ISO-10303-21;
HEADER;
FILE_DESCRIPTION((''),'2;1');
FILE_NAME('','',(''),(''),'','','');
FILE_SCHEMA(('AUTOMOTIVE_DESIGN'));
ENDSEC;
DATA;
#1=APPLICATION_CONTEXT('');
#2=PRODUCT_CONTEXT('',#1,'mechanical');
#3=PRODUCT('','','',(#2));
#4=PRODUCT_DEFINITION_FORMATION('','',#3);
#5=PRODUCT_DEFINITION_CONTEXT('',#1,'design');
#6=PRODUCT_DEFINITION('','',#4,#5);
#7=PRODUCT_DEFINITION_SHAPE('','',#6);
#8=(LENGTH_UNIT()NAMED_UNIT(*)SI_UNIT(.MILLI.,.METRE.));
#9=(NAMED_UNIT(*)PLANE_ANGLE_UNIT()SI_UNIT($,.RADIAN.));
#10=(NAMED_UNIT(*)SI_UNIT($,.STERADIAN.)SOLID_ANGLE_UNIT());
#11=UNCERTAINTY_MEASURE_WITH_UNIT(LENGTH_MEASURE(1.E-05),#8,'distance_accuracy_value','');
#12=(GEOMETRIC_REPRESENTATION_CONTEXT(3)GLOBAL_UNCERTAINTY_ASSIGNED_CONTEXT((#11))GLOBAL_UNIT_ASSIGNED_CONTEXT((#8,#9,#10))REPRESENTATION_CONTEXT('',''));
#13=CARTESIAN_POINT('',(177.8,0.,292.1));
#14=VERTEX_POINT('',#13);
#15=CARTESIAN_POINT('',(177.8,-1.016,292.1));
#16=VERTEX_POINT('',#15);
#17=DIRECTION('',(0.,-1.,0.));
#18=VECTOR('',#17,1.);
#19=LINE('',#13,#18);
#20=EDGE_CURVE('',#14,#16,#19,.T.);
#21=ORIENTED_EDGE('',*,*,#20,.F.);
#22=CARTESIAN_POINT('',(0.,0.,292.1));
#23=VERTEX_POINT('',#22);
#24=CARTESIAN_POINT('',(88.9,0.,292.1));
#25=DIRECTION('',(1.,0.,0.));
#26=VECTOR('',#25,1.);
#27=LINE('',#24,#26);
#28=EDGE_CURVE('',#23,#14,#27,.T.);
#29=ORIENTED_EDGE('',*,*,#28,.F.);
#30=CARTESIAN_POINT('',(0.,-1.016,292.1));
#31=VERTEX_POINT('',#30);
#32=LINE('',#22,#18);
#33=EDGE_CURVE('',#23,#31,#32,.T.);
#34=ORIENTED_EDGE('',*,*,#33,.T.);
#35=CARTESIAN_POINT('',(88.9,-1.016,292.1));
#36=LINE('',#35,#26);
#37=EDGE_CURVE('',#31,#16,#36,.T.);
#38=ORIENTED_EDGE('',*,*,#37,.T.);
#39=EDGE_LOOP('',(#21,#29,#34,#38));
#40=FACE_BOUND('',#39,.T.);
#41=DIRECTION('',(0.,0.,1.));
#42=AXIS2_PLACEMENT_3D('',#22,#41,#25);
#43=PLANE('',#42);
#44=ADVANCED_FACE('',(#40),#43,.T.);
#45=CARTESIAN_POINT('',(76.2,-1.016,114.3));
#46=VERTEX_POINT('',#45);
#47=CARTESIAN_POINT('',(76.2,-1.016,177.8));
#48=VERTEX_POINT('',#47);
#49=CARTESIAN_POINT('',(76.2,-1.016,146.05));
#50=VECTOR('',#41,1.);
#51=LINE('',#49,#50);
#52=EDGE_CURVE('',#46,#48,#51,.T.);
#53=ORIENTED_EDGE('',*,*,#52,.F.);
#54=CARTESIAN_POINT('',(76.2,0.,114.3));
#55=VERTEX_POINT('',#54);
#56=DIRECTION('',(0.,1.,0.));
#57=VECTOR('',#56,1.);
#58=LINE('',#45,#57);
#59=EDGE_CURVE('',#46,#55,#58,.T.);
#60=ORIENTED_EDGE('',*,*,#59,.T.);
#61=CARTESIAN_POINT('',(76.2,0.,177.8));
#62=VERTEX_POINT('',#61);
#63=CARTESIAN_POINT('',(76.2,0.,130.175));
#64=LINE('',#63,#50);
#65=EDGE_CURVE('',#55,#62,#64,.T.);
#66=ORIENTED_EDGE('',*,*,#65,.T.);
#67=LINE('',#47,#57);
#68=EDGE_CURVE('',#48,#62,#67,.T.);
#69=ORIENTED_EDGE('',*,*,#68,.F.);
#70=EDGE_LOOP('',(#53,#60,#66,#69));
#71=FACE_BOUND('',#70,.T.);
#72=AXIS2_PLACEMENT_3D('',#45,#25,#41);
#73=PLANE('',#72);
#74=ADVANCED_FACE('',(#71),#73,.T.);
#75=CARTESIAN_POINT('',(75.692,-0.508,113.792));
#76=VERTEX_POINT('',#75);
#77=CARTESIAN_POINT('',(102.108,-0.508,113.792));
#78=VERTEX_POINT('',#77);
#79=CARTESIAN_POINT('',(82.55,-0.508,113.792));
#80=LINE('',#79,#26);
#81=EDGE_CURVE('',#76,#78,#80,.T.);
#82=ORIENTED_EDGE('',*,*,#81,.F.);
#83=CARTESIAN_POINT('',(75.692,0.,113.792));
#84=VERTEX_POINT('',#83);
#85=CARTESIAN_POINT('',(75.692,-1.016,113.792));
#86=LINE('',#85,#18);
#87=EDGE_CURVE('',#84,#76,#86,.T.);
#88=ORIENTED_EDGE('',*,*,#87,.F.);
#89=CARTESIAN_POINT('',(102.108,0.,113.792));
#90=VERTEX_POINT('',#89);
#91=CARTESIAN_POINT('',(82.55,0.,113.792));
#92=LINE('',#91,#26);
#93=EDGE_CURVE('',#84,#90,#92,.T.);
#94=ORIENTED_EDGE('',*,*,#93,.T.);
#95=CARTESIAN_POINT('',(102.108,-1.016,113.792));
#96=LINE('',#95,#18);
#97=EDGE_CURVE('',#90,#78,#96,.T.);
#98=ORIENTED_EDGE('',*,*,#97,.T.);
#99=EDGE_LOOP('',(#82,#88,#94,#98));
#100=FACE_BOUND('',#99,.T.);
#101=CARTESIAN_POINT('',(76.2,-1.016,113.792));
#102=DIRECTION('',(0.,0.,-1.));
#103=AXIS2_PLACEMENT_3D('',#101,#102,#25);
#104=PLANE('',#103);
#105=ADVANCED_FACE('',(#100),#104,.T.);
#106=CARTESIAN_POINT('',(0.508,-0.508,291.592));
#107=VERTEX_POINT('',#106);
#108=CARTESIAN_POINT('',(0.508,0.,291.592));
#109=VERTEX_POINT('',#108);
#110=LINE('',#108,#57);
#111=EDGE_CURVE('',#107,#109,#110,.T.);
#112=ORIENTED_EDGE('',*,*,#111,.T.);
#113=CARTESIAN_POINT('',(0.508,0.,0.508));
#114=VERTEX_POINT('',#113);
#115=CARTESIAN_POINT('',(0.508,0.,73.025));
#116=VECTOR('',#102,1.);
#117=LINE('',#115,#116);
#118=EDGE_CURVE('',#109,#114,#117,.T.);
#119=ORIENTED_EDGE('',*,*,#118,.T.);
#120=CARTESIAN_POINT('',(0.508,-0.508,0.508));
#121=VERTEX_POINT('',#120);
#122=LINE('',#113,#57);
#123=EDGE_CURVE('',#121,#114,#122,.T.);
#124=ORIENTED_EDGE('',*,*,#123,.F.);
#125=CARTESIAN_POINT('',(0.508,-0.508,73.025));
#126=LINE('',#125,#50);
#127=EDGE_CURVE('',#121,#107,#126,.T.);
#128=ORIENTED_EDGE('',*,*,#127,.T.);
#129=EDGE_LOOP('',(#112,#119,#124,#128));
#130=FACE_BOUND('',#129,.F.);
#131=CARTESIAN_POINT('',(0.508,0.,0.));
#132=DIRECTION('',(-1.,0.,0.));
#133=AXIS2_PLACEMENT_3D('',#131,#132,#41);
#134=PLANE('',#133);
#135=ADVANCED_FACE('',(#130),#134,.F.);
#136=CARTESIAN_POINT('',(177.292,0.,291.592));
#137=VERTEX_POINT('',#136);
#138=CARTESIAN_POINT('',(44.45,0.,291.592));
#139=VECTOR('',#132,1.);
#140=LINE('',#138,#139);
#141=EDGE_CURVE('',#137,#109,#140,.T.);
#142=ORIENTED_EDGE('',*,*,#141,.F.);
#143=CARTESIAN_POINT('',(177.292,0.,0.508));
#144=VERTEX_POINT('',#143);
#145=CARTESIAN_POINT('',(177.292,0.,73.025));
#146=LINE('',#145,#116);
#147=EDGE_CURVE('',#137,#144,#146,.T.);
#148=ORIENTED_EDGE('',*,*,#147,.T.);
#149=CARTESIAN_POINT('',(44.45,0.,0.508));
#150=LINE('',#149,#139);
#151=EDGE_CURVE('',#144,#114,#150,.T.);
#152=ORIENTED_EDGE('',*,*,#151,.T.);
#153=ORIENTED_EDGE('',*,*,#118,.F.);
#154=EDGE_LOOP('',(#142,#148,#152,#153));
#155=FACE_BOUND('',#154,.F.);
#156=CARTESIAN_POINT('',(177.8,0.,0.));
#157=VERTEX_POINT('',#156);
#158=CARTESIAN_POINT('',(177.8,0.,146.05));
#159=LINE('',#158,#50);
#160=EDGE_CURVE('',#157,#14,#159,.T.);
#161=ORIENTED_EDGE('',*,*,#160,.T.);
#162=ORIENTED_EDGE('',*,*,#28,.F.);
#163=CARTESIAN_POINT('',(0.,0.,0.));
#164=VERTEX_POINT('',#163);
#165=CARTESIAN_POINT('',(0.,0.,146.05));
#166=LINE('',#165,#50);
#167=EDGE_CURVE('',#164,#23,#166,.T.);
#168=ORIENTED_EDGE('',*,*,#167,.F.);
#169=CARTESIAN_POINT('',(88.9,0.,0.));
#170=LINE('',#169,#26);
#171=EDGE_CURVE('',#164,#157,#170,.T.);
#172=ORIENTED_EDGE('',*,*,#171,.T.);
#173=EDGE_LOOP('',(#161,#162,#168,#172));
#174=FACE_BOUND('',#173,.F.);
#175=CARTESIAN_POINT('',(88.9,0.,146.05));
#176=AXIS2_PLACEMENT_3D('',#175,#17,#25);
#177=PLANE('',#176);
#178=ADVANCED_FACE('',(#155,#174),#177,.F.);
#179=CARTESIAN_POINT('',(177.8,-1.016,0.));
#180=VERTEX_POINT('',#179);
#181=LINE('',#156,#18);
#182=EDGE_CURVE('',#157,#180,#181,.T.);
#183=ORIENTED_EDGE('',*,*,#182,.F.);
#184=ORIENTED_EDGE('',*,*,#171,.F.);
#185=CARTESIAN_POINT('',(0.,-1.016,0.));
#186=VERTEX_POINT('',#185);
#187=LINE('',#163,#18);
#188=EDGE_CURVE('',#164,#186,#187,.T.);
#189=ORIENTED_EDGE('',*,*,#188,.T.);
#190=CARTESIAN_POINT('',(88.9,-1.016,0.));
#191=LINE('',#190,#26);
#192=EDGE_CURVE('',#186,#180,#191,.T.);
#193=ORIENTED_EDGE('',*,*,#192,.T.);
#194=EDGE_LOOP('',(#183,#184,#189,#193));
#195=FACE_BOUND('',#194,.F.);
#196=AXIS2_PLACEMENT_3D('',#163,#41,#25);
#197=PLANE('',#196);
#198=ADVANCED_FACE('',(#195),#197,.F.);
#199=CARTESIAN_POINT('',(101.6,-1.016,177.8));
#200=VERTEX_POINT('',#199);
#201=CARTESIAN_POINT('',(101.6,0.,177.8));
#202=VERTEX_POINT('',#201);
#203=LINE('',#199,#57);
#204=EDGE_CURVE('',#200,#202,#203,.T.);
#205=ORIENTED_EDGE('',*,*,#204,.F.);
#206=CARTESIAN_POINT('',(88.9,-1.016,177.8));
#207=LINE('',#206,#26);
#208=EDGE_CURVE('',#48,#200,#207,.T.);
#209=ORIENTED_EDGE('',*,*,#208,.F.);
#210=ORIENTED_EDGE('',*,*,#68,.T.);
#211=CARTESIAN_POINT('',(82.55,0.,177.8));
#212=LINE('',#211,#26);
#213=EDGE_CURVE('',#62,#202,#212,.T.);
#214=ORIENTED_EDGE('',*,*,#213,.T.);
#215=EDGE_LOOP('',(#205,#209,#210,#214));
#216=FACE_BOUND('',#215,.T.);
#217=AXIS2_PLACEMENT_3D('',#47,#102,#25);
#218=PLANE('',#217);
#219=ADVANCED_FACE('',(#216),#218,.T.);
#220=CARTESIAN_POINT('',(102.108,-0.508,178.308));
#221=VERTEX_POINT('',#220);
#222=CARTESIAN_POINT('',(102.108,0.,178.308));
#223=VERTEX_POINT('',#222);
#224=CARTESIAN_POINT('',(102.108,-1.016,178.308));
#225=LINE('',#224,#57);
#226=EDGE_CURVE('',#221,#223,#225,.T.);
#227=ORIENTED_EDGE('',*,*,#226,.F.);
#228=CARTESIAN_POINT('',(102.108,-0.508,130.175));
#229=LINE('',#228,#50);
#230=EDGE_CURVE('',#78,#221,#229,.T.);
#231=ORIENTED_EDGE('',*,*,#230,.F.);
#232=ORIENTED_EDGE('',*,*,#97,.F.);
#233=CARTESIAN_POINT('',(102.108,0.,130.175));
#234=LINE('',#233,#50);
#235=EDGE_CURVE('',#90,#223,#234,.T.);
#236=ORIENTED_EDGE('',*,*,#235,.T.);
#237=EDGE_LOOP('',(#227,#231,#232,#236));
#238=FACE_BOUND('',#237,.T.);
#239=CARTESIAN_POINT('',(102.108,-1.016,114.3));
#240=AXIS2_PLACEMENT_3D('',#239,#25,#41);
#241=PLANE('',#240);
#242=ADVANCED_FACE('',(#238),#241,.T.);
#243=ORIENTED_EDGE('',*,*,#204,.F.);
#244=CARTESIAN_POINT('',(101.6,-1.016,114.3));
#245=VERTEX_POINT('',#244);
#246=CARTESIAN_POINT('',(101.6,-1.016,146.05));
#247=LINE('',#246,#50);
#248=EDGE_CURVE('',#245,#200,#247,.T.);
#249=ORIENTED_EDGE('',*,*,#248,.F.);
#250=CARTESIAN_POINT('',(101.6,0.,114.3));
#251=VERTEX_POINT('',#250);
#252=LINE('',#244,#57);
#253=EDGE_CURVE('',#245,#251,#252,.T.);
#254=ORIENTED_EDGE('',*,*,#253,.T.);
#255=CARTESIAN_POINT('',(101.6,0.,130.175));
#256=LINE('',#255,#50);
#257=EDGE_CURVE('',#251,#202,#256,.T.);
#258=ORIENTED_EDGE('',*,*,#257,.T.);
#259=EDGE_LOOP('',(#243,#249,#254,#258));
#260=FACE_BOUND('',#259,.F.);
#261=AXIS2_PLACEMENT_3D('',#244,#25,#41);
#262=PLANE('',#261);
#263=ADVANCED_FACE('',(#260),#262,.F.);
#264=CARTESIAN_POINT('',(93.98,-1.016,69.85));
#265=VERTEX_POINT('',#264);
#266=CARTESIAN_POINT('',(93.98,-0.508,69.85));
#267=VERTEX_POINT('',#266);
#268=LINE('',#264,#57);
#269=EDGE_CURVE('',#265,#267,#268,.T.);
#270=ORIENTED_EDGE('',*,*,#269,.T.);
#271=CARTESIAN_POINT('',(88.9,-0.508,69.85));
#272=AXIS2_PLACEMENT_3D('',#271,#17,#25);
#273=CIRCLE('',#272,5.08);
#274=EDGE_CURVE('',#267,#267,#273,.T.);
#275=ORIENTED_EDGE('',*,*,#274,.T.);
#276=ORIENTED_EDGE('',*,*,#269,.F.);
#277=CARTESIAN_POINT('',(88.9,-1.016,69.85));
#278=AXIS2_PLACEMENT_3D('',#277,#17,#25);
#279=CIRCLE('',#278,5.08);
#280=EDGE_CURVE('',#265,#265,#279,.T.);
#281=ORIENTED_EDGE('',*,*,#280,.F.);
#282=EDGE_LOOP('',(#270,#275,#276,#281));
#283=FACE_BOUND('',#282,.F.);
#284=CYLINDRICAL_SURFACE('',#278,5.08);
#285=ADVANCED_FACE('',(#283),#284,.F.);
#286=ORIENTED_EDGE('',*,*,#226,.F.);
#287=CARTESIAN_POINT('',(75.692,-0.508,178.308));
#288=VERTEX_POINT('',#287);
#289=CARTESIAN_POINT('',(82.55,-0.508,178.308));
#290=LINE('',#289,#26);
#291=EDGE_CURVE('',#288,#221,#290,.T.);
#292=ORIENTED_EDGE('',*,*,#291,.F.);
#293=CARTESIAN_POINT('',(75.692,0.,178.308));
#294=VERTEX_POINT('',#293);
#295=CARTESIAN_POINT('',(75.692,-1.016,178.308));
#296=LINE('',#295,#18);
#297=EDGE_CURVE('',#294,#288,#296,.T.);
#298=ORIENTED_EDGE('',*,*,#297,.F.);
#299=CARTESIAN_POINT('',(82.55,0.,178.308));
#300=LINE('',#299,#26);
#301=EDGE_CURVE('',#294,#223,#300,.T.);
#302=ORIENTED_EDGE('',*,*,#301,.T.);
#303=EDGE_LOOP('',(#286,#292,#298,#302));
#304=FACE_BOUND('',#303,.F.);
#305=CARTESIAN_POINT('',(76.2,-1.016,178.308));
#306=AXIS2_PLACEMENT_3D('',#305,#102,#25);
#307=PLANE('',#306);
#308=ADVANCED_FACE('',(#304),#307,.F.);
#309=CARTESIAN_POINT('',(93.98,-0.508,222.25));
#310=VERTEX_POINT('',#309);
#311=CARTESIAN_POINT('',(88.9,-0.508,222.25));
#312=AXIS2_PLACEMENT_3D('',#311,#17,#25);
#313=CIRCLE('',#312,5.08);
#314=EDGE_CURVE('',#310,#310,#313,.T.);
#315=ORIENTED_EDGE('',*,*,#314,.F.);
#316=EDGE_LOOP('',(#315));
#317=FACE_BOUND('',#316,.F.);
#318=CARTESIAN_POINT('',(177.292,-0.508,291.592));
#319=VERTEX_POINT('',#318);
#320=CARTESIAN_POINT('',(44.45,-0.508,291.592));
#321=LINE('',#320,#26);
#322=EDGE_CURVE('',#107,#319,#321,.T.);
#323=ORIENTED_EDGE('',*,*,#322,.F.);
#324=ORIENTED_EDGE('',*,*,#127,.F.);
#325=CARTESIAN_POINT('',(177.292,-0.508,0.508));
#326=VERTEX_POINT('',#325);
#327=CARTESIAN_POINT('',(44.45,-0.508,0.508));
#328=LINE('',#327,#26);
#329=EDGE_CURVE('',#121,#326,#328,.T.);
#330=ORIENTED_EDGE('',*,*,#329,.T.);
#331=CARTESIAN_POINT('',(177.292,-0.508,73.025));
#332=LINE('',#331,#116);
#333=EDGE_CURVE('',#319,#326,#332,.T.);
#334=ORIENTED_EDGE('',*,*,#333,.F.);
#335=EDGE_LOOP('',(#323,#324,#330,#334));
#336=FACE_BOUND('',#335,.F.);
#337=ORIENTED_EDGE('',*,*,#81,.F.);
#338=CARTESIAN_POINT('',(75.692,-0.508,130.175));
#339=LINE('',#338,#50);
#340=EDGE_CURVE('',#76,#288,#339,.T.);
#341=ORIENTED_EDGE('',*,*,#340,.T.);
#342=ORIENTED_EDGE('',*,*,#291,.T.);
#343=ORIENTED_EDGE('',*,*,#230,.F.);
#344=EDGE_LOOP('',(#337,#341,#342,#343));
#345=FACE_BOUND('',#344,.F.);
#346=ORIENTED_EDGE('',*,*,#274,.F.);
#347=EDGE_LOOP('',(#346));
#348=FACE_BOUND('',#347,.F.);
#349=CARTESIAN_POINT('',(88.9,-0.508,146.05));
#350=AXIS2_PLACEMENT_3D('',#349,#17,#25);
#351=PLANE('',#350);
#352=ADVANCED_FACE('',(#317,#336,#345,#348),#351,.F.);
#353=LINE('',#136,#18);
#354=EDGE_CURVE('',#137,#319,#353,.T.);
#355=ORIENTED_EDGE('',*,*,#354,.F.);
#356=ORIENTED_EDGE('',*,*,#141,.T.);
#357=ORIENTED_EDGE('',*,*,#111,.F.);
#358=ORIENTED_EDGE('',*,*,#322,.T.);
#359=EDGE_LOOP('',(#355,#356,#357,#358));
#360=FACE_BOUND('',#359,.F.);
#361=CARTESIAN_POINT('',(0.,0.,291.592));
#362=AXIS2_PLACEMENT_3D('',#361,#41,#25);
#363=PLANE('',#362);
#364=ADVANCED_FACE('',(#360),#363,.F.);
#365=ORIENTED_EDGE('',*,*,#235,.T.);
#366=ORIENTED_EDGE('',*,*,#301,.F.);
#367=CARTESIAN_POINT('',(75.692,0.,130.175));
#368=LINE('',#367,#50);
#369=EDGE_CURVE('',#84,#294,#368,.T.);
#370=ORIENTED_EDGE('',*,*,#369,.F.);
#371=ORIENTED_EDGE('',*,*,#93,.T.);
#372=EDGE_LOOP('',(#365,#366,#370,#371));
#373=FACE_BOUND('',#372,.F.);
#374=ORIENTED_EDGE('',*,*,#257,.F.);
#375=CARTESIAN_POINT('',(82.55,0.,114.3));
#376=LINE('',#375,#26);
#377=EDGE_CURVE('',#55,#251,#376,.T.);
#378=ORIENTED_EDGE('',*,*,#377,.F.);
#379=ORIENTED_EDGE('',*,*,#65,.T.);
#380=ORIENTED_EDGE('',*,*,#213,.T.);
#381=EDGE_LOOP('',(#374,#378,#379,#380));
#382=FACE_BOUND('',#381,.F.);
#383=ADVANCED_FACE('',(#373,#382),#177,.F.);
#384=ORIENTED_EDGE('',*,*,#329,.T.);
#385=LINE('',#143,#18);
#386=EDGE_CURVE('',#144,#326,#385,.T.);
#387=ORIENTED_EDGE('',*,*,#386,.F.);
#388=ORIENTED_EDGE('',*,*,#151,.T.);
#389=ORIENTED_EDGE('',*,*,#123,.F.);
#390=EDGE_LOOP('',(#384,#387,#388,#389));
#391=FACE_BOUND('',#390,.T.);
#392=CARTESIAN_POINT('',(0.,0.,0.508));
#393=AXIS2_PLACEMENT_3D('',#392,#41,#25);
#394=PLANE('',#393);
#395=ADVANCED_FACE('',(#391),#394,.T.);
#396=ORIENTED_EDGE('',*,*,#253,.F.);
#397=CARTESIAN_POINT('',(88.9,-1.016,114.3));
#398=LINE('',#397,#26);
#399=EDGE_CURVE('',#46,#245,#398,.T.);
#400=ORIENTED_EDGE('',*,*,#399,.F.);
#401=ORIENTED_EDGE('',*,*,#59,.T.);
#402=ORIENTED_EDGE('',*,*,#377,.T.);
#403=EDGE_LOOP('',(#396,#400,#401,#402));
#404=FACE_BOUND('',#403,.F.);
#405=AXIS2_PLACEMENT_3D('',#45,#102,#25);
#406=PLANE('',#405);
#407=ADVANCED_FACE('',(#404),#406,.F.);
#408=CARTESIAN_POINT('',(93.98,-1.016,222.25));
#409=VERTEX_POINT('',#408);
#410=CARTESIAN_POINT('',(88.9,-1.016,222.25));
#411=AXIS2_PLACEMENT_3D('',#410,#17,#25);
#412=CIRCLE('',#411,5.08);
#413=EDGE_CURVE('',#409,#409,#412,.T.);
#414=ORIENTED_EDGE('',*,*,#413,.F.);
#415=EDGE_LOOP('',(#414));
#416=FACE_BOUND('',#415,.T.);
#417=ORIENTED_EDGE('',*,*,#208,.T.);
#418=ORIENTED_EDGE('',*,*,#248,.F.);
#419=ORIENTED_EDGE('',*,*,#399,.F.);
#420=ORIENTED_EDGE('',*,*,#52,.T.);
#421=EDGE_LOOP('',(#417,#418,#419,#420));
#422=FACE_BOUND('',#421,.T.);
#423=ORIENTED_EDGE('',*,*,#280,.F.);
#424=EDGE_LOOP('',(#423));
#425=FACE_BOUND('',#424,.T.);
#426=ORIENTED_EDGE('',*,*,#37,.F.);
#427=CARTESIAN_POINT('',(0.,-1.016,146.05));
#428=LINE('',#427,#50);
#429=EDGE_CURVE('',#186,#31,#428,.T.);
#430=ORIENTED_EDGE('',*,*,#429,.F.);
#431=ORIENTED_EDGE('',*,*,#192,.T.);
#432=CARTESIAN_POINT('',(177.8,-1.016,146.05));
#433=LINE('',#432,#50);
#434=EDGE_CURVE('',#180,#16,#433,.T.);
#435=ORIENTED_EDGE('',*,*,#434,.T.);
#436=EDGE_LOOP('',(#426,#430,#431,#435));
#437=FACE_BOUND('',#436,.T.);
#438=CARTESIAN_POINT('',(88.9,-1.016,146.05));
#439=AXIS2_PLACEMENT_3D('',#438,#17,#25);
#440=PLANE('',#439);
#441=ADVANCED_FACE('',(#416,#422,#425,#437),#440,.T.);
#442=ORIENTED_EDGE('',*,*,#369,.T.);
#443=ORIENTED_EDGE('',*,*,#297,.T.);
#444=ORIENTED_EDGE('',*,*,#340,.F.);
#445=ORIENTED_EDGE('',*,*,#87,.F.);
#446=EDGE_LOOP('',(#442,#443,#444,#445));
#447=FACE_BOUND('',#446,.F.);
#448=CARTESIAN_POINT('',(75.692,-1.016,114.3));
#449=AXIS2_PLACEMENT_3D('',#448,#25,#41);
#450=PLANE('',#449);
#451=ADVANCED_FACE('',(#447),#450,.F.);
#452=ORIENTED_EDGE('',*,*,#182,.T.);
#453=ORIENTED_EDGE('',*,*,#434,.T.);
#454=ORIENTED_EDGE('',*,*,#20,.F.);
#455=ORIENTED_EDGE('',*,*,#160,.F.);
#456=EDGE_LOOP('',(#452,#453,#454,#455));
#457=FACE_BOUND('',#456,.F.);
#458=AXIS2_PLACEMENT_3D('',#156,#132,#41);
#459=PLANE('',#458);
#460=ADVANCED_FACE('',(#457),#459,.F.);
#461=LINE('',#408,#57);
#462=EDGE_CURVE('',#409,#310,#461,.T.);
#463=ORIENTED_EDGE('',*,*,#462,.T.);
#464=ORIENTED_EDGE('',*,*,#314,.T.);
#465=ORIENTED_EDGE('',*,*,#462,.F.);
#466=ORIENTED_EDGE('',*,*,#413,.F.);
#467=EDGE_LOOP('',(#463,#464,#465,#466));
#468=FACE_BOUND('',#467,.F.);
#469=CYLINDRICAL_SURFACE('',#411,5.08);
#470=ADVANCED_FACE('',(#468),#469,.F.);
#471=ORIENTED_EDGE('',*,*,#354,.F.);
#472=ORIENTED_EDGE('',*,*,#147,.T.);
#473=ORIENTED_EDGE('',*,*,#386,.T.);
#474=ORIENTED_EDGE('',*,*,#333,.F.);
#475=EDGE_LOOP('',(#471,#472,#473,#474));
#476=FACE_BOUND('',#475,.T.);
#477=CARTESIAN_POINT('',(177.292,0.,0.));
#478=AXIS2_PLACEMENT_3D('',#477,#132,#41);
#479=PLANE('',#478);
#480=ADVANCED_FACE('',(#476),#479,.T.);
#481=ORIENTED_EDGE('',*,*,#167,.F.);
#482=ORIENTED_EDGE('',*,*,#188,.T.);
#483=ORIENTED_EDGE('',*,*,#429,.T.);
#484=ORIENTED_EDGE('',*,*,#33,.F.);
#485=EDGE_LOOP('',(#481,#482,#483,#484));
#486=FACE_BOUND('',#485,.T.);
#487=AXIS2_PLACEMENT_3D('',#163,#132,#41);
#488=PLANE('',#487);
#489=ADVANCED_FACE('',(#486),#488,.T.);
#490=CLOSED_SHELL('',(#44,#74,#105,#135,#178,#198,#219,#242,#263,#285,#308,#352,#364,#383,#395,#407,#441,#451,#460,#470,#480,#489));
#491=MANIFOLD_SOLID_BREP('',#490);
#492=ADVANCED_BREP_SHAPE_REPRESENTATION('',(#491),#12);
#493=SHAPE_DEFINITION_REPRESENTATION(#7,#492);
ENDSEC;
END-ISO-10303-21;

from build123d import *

# Parameters (mm, degrees)
F0_W     = 177.8
F0_H     = 292.1
F1_DEPTH = 1.016
F3_W     = 25.4
F3_H     = 63.5
F4_DEPTH = 25.4
F5_T     = -0.508
F6_R     = 5.08
F7_DEPTH = 25.4
F8_R     = 5.08
F9_DEPTH = 25.4


with BuildPart() as f1:
    # F0 (on Front) → F1 (new body)
    with BuildSketch(Plane.XZ):
        with Locations((88.9, 146.05)):
            Rectangle(F0_W, F0_H)
    extrude(amount=F1_DEPTH)

    # F3 (on face) → F4 (cut)
    with BuildSketch(Plane.XZ.offset(1.016)):
        with Locations((88.9, 146.05)):
            Rectangle(F3_W, F3_H)
    extrude(amount=-F4_DEPTH, mode=Mode.SUBTRACT)

    # F5
    f5_openings = [f1.faces().sort_by_distance(p)[0] for p in [
        (3.41958, 0, 146.05),
    ]]
    offset(amount=F5_T, openings=f5_openings, kind=Kind.INTERSECTION)

    # F6 (on face) → F7 (cut)
    with BuildSketch(Plane.XZ.offset(1.016)):
        with Locations((88.9, 69.85)):
            Circle(F6_R)
    extrude(amount=-F7_DEPTH, mode=Mode.SUBTRACT)

    # F8 (on face) → F9 (cut)
    with BuildSketch(Plane.XZ.offset(1.016)):
        with Locations((88.9, 222.25)):
            Circle(F8_R)
    extrude(amount=-F9_DEPTH, mode=Mode.SUBTRACT)


solid = f1.part
